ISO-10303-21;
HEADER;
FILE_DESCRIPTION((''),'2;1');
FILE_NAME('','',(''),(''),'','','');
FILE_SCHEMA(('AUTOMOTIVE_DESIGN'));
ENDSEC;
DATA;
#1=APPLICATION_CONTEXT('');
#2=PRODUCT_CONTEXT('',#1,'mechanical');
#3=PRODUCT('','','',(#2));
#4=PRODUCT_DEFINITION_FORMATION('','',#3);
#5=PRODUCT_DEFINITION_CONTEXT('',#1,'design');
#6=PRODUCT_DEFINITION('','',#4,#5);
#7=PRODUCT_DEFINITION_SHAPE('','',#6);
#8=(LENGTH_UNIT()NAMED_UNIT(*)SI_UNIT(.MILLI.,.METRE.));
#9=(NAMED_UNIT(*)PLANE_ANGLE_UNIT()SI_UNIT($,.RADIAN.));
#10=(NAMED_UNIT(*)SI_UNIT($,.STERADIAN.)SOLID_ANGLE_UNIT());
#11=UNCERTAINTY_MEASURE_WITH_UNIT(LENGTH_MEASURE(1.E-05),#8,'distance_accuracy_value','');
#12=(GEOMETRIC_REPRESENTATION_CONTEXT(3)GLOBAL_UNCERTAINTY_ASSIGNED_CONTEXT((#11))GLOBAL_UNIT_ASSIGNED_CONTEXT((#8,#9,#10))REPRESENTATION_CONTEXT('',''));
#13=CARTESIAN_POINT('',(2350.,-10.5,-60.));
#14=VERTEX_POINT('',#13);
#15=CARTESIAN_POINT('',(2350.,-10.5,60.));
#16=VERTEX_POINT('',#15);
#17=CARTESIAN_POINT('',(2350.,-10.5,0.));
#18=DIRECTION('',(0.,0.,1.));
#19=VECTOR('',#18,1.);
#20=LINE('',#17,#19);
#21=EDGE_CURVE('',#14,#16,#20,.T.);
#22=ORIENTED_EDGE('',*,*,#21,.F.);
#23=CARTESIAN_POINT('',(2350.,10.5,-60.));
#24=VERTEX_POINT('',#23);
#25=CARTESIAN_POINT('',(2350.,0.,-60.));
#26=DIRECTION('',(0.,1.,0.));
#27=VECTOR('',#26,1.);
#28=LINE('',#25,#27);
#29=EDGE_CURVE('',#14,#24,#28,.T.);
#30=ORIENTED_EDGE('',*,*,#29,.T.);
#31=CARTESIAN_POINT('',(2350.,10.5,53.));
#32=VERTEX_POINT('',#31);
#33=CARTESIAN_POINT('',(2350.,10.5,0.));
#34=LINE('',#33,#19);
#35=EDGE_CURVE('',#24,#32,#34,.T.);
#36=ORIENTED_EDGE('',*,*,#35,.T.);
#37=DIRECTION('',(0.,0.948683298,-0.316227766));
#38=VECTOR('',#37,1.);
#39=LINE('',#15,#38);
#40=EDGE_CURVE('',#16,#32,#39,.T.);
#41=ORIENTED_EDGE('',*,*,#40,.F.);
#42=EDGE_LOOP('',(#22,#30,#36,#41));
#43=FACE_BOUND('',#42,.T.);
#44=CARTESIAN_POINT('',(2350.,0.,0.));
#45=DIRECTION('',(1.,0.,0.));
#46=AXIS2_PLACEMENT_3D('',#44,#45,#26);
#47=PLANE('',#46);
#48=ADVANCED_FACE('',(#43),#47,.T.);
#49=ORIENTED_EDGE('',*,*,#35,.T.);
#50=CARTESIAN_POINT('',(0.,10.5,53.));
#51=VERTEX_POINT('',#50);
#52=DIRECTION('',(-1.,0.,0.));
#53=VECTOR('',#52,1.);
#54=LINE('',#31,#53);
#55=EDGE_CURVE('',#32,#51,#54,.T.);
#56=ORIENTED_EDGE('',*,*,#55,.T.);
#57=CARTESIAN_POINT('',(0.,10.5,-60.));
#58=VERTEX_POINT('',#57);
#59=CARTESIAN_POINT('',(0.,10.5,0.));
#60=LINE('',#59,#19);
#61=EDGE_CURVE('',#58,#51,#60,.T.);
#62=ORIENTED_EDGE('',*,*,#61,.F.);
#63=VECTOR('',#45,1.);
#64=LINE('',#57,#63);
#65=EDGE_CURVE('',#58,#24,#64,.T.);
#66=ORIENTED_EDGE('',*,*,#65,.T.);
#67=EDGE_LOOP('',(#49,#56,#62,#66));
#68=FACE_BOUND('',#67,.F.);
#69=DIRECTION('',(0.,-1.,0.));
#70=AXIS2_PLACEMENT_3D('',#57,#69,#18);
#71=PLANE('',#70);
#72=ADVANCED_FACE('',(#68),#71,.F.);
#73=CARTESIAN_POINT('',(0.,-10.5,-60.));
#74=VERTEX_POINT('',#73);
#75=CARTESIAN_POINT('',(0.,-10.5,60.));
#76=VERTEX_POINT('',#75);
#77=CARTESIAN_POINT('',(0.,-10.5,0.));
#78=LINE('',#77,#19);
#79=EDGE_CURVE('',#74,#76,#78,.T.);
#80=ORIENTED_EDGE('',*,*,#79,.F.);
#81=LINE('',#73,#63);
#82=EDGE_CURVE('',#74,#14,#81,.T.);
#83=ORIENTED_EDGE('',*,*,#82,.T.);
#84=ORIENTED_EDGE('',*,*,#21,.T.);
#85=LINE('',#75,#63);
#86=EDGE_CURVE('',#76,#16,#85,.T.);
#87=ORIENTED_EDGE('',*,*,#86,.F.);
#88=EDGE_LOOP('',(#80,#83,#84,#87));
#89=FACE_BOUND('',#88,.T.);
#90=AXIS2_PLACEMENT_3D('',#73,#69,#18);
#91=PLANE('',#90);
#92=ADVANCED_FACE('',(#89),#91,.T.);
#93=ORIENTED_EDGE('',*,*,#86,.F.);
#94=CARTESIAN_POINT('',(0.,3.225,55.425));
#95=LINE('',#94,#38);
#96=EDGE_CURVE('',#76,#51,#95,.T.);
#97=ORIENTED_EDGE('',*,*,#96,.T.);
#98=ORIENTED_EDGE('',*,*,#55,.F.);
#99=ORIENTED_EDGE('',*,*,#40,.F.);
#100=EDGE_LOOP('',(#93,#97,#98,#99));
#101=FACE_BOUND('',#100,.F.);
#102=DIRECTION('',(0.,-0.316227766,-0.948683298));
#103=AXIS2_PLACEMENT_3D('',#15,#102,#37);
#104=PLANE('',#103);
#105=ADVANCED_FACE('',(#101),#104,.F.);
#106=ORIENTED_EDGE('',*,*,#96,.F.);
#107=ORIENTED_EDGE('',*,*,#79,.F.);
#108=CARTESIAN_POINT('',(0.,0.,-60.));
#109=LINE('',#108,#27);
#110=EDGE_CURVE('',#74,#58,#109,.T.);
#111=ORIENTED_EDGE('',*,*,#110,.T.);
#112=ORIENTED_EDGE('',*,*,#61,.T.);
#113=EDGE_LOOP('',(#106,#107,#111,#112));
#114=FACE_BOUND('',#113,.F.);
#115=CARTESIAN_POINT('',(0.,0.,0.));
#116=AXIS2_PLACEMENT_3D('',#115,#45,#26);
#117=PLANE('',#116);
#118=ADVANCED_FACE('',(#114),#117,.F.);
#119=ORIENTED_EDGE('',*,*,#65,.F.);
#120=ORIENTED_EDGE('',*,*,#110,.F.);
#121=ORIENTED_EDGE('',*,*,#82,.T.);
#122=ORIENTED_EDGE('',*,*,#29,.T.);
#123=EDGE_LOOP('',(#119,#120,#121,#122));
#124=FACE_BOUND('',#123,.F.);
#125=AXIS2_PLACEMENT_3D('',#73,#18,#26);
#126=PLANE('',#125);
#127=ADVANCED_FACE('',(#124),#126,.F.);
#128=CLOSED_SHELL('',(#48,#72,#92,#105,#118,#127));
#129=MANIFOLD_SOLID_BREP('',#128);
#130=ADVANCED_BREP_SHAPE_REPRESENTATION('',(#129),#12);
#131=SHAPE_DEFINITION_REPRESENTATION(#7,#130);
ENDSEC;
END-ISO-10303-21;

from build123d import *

# Parameters (mm, degrees)
F0_W     = 21
F0_H     = 120
F1_DEPTH = 2350
F3_DEPTH = 2350.001


with BuildPart() as f1:
    # F0 (on Right) → F1 (new body)
    with BuildSketch(Plane.YZ):
        Rectangle(F0_W, F0_H)
    extrude(amount=F1_DEPTH)

    # F2 (on face) → F3 (cut, through all)
    with BuildSketch(Plane.YZ.offset(2350)):
        Polygon((10.5, 60), (-10.5, 60), (10.5, 53), align=None)
    extrude(amount=-F3_DEPTH, mode=Mode.SUBTRACT)


solid = f1.part
